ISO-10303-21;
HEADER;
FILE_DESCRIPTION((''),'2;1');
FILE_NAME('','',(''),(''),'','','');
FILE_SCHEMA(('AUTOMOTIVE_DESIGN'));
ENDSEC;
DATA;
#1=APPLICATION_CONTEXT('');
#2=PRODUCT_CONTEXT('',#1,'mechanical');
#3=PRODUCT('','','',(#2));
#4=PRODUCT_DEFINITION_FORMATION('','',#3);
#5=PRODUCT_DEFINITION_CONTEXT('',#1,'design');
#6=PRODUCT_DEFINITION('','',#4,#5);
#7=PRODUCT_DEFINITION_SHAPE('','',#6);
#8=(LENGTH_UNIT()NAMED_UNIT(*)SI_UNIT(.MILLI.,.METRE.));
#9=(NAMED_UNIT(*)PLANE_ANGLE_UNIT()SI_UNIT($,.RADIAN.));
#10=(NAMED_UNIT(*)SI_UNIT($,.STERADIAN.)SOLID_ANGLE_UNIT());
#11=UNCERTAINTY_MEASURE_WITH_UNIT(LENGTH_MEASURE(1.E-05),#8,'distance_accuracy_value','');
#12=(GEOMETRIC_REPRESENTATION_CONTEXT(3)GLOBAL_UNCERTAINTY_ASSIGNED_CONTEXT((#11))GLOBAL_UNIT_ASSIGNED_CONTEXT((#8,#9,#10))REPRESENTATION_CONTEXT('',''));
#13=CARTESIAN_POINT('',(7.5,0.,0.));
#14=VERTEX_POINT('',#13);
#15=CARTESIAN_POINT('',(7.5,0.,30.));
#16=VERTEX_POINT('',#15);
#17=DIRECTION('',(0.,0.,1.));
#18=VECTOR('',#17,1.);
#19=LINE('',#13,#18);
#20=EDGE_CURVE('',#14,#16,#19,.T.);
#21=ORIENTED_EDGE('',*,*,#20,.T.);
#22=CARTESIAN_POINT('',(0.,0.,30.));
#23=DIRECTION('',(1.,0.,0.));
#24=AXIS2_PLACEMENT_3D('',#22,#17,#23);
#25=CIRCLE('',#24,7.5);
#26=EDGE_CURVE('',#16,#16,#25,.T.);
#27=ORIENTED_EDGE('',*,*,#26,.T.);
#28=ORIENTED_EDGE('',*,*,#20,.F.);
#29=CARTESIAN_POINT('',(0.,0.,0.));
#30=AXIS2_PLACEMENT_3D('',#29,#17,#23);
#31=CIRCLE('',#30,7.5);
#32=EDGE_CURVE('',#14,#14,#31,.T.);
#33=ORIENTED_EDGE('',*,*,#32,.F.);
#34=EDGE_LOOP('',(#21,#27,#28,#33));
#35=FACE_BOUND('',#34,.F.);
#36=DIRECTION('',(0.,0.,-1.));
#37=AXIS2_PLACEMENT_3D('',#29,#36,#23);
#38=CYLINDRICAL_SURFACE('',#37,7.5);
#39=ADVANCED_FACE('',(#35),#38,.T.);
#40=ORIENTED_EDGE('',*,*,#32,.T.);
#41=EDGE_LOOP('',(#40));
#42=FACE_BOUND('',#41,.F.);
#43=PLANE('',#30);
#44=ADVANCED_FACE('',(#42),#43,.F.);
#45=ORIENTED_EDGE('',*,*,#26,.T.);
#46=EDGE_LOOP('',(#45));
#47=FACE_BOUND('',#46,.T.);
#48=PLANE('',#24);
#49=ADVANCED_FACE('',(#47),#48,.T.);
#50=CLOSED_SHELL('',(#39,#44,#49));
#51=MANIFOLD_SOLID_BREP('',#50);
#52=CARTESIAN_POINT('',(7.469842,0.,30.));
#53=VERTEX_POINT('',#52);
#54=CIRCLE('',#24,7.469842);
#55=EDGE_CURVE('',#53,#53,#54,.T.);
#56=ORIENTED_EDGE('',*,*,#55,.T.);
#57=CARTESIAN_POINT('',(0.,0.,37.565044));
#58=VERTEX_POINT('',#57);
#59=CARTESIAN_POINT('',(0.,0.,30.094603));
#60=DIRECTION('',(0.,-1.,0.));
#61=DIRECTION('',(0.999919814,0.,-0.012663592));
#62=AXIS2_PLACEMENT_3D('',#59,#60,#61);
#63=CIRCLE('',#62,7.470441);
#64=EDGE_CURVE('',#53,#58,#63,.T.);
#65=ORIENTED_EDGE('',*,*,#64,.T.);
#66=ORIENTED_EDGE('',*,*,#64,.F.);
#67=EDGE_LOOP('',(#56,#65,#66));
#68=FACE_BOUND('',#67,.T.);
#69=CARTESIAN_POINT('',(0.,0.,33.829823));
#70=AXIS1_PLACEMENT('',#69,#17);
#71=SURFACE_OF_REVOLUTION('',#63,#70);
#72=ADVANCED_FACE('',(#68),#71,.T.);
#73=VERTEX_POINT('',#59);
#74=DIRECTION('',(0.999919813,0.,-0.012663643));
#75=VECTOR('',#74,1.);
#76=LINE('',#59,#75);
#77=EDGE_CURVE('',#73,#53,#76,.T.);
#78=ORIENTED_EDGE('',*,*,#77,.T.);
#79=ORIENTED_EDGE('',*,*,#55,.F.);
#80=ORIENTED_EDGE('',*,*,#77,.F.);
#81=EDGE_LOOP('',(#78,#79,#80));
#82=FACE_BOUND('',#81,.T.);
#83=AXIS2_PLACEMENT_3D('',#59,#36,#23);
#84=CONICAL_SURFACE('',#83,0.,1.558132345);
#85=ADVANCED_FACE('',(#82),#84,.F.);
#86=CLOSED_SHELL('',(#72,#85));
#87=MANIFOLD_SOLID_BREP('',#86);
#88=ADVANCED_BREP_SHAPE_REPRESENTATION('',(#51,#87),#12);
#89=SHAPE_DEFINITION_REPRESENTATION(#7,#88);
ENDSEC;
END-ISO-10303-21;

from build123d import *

# Parameters (mm, degrees)
F0_R     = 7.5
F1_DEPTH = 30


with BuildPart() as f1:
    # F0 (on Top) → F1 (new body)
    with BuildSketch(Plane.XY):
        Circle(F0_R)
    extrude(amount=F1_DEPTH)


with BuildPart() as f3:
    # F2 (on Front) → F3 (revolve)
    with BuildSketch(Plane.XZ):
        with BuildLine():
            Line((0, 30.094603), (7.469842, 30))
            ThreePointArc((7.469842, 30), (5.315741, 35.343449), (0, 37.565044))
            Line((0, 37.565044), (0, 30.094603))
        make_face()
    revolve(axis=Axis((0, 0, 33.829823), (0, 0, 1)))


solid = Compound([f1.part, f3.part])
